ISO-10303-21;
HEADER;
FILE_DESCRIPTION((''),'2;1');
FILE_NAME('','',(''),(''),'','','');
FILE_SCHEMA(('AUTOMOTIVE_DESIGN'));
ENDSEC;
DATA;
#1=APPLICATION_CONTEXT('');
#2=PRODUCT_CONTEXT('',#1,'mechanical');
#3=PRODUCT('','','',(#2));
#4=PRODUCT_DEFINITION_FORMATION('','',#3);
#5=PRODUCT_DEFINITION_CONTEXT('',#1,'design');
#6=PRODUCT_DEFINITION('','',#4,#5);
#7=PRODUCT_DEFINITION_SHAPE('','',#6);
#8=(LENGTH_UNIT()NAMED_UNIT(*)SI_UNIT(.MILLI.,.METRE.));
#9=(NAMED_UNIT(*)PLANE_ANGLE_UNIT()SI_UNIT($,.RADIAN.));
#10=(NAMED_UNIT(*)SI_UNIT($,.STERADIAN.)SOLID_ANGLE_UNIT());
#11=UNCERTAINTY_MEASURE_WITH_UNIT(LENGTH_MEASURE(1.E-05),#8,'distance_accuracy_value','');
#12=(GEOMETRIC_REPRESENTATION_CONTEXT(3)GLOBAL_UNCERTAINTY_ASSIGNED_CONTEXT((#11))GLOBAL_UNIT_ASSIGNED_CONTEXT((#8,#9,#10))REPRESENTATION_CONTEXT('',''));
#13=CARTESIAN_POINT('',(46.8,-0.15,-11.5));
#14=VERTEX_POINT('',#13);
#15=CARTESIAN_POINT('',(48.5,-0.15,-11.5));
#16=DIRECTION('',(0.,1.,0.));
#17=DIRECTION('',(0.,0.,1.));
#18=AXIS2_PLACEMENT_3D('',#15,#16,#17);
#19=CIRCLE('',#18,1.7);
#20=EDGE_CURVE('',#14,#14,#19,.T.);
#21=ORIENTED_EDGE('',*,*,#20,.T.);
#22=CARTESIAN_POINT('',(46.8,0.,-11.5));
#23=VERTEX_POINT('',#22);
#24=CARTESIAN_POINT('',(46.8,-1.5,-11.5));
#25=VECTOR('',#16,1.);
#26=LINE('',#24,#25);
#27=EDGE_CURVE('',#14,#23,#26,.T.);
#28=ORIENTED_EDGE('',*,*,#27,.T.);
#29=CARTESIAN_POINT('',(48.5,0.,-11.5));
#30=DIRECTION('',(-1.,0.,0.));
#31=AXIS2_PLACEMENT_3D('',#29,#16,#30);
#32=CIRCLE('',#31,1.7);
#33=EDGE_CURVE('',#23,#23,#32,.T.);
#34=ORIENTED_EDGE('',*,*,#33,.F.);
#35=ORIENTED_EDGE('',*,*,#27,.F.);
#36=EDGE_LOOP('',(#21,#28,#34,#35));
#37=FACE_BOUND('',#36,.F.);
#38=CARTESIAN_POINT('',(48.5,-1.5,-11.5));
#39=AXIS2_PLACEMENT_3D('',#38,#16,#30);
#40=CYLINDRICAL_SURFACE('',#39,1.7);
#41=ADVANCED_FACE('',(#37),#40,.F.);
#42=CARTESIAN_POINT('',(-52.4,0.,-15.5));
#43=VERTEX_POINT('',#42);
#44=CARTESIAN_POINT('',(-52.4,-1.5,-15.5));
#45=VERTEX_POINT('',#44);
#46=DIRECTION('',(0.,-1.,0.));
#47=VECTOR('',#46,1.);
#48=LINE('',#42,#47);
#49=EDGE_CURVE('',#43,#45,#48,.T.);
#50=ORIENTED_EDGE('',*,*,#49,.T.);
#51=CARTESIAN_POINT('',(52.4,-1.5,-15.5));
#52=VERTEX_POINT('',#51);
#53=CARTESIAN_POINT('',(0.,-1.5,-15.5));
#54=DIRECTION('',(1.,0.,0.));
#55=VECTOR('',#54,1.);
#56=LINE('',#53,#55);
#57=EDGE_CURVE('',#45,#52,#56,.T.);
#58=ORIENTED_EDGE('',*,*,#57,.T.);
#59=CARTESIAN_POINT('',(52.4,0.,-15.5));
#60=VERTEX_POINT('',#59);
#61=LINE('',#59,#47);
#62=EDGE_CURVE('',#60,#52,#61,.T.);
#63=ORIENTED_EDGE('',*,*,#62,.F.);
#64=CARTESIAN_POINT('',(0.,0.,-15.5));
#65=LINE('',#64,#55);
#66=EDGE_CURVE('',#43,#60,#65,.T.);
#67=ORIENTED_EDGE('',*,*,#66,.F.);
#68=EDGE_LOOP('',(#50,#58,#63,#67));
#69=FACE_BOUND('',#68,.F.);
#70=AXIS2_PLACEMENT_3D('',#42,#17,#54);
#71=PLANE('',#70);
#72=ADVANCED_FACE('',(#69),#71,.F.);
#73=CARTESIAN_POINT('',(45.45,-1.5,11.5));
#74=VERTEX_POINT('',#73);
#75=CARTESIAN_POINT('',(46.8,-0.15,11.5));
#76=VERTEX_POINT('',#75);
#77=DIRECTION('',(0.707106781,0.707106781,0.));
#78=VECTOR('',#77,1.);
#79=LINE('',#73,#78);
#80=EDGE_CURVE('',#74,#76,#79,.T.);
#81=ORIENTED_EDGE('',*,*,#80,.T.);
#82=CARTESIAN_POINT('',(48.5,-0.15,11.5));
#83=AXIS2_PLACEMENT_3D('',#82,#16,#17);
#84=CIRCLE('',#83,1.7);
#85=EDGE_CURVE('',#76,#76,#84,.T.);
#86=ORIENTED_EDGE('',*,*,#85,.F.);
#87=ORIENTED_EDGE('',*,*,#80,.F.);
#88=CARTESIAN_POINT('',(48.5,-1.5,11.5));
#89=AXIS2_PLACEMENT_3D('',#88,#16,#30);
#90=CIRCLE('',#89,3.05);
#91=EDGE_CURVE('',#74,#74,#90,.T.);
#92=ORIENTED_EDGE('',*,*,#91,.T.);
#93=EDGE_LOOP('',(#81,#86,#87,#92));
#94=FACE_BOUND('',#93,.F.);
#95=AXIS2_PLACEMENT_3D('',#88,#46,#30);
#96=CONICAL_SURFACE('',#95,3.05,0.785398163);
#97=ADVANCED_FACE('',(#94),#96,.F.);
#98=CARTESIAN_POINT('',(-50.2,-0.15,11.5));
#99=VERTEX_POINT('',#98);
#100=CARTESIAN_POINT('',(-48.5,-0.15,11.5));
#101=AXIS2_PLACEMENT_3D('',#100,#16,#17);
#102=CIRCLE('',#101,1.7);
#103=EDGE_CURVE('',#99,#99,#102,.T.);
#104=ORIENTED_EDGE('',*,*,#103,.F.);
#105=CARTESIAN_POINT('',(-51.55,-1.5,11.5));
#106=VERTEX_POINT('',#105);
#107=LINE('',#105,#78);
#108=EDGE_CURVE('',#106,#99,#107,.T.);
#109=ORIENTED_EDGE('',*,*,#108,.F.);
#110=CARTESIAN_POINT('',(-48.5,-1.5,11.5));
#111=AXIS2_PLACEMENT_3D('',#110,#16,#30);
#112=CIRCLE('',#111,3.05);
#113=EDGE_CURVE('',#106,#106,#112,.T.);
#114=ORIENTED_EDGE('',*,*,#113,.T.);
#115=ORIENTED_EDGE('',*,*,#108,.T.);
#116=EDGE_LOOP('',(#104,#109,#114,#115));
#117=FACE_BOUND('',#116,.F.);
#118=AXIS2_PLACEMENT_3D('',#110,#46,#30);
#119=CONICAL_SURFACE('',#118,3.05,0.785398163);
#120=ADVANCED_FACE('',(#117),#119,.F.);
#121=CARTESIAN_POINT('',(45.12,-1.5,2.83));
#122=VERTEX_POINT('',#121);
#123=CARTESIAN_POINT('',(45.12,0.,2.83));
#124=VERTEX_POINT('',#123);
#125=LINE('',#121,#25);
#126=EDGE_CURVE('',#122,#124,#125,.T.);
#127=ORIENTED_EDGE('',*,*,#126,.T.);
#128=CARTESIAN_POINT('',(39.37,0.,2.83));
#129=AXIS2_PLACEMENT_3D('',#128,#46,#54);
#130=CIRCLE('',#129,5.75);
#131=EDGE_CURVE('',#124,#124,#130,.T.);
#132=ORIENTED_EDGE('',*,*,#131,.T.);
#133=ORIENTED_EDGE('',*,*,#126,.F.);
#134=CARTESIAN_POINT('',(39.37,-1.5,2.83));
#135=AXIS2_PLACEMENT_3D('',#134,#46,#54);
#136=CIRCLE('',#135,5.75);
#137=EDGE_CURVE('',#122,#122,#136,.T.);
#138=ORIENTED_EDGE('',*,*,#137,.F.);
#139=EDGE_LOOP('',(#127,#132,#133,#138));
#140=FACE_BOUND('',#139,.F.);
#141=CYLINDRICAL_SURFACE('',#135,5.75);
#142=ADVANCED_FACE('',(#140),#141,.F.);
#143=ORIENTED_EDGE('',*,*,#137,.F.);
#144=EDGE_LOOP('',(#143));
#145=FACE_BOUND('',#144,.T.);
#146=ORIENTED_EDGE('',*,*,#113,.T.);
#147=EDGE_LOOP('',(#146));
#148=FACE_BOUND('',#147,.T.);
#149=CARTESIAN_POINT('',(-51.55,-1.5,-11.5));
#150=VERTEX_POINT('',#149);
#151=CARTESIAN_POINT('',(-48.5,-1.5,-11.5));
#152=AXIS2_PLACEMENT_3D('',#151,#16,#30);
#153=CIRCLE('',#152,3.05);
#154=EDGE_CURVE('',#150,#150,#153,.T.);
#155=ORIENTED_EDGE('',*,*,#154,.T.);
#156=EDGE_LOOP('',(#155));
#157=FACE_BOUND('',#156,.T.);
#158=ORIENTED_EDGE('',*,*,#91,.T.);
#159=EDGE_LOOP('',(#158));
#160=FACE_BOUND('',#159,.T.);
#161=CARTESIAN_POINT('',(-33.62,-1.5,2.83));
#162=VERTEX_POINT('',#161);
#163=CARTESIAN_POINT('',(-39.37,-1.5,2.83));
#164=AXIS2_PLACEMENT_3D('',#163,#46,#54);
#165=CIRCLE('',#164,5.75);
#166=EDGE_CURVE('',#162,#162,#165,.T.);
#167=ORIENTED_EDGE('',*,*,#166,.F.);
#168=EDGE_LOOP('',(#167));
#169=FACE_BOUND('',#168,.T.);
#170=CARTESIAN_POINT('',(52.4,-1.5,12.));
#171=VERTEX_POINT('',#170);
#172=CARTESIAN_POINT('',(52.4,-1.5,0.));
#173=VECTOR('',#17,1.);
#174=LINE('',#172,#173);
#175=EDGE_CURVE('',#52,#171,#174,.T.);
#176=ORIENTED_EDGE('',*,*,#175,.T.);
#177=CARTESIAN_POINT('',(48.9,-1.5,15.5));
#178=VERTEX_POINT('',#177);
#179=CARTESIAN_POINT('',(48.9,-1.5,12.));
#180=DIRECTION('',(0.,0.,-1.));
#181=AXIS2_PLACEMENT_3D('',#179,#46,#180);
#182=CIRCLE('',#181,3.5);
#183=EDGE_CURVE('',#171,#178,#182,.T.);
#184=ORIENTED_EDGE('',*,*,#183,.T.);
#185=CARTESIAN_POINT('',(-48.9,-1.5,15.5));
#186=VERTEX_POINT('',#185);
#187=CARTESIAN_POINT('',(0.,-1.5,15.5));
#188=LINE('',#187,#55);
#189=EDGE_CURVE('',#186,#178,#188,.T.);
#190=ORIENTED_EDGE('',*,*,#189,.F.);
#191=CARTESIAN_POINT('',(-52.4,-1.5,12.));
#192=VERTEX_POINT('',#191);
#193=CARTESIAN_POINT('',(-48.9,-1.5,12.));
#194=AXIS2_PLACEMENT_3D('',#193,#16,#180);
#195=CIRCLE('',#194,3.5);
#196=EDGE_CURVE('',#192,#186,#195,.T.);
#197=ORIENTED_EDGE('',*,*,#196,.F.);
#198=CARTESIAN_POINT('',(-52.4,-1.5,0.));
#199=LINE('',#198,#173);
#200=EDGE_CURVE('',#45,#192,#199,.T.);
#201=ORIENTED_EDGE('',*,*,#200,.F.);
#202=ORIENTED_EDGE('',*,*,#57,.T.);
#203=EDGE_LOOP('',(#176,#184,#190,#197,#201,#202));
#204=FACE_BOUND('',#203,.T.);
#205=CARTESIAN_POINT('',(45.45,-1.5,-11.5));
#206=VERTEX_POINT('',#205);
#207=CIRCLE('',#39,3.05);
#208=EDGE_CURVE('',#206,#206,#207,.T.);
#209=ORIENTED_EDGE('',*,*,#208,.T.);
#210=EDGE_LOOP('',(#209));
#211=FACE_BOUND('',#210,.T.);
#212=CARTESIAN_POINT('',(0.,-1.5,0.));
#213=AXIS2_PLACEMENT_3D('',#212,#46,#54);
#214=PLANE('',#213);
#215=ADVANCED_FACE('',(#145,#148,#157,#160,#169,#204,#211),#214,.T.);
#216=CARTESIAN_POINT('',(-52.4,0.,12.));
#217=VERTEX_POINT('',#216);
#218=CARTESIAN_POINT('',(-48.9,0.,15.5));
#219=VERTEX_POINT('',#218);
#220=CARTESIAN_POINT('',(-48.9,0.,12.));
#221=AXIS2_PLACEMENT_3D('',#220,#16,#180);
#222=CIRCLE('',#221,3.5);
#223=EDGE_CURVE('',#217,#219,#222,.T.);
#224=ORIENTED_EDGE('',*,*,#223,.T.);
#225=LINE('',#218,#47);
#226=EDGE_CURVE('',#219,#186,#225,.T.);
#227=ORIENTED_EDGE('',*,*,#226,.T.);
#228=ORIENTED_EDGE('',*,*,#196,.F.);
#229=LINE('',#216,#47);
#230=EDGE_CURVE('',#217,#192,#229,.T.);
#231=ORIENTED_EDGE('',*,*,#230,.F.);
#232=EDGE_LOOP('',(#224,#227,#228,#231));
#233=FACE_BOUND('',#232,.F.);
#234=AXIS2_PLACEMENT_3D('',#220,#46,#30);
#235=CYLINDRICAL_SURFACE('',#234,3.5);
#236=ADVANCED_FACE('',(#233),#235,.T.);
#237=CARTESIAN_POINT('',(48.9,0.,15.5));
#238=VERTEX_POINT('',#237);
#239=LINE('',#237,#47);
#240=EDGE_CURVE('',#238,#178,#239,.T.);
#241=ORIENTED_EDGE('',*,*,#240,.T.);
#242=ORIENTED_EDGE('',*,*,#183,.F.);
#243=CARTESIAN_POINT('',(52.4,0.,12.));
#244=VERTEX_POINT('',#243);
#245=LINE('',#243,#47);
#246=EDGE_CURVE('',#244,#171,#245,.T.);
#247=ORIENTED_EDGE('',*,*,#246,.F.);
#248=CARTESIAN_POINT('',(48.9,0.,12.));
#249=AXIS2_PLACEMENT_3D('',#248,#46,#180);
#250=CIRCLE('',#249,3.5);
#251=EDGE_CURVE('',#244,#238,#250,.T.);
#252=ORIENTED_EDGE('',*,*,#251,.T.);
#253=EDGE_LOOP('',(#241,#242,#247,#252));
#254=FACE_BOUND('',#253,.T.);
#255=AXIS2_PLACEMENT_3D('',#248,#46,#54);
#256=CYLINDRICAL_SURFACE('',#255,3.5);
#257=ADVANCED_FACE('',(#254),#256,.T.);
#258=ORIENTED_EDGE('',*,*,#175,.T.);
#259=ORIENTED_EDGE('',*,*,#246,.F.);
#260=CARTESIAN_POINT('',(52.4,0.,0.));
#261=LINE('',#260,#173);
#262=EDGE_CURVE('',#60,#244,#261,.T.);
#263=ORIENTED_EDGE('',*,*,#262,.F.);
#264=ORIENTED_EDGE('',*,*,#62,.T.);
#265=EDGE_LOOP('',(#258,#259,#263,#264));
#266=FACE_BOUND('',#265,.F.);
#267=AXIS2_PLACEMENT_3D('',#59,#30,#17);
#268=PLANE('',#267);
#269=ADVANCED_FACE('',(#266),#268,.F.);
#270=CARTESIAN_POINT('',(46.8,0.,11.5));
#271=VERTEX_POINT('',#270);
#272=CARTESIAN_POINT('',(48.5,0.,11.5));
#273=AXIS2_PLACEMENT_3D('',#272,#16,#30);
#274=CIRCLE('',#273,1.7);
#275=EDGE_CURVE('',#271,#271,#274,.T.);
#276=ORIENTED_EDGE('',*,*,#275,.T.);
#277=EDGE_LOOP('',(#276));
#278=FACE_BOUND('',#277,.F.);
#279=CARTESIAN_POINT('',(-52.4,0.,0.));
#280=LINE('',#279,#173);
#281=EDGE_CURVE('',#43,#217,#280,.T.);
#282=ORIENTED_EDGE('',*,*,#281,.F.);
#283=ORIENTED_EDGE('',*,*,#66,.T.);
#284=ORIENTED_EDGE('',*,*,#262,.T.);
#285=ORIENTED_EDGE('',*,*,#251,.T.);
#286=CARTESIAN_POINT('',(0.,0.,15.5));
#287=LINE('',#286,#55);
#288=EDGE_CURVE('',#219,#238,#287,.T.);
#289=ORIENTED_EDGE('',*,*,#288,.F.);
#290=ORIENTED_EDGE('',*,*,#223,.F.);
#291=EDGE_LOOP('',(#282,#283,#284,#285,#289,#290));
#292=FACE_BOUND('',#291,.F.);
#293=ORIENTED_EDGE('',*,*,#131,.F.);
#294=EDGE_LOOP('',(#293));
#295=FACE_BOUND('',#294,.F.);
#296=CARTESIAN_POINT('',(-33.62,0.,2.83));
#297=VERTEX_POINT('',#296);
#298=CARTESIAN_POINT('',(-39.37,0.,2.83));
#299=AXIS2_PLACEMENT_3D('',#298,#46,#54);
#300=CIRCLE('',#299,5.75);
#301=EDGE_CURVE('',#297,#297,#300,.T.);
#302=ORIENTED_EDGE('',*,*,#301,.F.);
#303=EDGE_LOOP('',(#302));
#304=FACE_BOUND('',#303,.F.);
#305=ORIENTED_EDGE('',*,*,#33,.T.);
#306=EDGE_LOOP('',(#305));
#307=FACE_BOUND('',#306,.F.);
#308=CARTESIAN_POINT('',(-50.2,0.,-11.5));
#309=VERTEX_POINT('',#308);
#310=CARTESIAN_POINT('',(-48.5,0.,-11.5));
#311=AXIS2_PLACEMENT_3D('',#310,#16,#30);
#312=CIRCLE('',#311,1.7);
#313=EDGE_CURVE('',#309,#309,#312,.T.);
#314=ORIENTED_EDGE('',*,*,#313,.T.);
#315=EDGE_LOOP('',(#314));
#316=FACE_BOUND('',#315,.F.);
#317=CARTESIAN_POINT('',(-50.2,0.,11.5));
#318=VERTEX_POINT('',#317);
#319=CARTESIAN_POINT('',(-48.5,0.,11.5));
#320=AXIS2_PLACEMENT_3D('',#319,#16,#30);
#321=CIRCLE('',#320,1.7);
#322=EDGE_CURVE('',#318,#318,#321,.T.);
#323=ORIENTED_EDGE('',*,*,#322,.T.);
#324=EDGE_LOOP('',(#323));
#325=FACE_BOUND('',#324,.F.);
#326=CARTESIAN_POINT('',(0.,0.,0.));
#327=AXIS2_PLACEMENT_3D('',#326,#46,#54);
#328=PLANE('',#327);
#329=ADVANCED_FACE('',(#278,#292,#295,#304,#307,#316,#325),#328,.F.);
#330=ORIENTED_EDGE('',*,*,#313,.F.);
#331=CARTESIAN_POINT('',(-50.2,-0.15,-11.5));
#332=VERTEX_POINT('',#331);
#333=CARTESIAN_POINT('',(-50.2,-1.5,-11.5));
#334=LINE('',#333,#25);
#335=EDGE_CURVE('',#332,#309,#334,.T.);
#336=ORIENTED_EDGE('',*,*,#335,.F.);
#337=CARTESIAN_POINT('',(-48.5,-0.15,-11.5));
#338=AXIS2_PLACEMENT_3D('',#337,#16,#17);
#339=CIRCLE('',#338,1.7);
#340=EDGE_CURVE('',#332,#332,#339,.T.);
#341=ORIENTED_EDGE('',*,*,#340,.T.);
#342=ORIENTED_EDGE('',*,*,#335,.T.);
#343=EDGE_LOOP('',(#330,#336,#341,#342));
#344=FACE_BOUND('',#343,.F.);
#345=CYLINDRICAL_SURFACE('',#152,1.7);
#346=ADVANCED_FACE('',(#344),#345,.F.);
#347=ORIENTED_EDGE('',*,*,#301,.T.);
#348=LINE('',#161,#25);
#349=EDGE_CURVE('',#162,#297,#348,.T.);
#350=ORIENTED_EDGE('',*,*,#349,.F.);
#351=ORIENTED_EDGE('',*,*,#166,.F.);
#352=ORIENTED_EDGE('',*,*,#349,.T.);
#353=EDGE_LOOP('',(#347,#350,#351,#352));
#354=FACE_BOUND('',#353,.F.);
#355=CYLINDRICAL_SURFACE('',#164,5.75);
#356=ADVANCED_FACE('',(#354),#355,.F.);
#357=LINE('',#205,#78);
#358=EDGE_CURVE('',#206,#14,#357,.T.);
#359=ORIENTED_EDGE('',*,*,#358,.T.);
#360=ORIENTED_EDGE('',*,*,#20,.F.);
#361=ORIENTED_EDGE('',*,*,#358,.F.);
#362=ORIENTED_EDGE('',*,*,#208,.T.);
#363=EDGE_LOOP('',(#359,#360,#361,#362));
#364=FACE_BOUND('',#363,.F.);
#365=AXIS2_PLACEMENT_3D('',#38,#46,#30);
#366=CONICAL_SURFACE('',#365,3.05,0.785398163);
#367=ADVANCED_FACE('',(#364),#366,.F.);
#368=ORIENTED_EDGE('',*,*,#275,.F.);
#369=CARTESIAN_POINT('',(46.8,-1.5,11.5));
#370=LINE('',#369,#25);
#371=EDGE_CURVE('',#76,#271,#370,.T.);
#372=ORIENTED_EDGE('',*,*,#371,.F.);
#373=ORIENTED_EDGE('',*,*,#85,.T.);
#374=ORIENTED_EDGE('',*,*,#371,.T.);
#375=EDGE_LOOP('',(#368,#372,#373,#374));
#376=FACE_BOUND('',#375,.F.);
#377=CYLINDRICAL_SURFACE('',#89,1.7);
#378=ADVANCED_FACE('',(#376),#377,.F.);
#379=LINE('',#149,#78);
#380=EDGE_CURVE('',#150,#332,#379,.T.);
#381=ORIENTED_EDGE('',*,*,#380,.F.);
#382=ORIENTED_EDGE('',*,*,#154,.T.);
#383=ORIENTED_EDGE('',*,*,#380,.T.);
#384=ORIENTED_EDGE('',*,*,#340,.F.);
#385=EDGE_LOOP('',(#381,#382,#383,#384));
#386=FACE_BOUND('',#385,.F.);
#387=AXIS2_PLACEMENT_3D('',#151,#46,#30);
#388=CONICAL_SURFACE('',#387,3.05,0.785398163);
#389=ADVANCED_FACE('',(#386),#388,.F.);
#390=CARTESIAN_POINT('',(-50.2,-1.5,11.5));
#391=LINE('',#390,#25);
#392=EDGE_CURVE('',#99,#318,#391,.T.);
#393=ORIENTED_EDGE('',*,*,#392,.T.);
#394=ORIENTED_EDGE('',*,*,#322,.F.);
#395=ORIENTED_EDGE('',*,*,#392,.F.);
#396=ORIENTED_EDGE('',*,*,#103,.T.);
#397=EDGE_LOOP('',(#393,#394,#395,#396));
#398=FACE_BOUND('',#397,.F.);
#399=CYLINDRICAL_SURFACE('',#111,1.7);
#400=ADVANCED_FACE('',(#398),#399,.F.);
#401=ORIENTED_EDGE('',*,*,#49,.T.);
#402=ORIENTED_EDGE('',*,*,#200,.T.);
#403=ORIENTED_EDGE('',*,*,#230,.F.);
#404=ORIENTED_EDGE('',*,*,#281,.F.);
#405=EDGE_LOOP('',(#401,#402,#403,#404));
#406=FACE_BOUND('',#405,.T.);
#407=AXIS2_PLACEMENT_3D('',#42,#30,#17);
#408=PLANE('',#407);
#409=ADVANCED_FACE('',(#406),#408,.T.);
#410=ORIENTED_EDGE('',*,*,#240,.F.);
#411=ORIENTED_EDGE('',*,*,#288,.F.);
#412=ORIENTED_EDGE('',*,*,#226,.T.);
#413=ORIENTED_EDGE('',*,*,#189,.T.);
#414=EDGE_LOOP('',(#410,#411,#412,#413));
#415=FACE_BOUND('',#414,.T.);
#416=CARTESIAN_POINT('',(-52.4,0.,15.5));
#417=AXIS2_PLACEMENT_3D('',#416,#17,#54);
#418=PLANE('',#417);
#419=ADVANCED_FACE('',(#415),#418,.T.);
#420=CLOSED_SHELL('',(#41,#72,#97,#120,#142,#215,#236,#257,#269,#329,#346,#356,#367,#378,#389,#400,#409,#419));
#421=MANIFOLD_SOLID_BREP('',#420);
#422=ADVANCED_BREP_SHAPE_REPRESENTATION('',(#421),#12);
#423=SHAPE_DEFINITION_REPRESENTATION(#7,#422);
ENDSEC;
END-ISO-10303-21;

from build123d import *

# Parameters (mm, degrees)
SKETCH_W            = 104.8
SKETCH_H            = 31
PAD_DEPTH           = 1.5
HOLE_D              = 3.4
HOLE_DEPTH          = 25
HOLE_CSINK_D        = 6.1
HOLE_CSINK_ANGLE    = 90
FILLET_R            = 3.5
SKETCH002_R         = 5.75
POCKET_DEPTH        = 1.501
LINEARPATTERN_COUNT = 2
LINEARPATTERN_PITCH = 78.74


with BuildPart() as part:
    # Sketch → Pad (new body)
    with BuildSketch(Plane.XZ):
        Rectangle(SKETCH_W, SKETCH_H)
    extrude(amount=PAD_DEPTH)

    # Hole
    with Locations(Plane.XZ.offset(1.5)):
        with Locations((-48.5, 11.5), (-48.5, -11.5), (48.5, -11.5), (48.5, 11.5)):
            CounterSinkHole(HOLE_D / 2, HOLE_CSINK_D / 2, depth=HOLE_DEPTH, counter_sink_angle=HOLE_CSINK_ANGLE)

    # Fillet
    fillet_edges = [part.edges().sort_by_distance(p)[0] for p in [
        (-52.4, -0.75, 15.5),
        (52.4, -0.75, 15.5),
    ]]
    fillet(fillet_edges, radius=FILLET_R)

    # Sketch002 (on Face5 of Fillet) → Pocket (cut, through all)
    with BuildSketch(Plane.XZ.offset(1.5)):
        with Locations((-39.37, 2.83)):
            Circle(SKETCH002_R)
    pocket = extrude(amount=-POCKET_DEPTH, mode=Mode.SUBTRACT)

    # LinearPattern: Pocket ×2
    with Locations(*[(i * LINEARPATTERN_PITCH, 0, 0) for i in range(1, LINEARPATTERN_COUNT)]):
        add(pocket, mode=Mode.SUBTRACT)


solid = part.part
